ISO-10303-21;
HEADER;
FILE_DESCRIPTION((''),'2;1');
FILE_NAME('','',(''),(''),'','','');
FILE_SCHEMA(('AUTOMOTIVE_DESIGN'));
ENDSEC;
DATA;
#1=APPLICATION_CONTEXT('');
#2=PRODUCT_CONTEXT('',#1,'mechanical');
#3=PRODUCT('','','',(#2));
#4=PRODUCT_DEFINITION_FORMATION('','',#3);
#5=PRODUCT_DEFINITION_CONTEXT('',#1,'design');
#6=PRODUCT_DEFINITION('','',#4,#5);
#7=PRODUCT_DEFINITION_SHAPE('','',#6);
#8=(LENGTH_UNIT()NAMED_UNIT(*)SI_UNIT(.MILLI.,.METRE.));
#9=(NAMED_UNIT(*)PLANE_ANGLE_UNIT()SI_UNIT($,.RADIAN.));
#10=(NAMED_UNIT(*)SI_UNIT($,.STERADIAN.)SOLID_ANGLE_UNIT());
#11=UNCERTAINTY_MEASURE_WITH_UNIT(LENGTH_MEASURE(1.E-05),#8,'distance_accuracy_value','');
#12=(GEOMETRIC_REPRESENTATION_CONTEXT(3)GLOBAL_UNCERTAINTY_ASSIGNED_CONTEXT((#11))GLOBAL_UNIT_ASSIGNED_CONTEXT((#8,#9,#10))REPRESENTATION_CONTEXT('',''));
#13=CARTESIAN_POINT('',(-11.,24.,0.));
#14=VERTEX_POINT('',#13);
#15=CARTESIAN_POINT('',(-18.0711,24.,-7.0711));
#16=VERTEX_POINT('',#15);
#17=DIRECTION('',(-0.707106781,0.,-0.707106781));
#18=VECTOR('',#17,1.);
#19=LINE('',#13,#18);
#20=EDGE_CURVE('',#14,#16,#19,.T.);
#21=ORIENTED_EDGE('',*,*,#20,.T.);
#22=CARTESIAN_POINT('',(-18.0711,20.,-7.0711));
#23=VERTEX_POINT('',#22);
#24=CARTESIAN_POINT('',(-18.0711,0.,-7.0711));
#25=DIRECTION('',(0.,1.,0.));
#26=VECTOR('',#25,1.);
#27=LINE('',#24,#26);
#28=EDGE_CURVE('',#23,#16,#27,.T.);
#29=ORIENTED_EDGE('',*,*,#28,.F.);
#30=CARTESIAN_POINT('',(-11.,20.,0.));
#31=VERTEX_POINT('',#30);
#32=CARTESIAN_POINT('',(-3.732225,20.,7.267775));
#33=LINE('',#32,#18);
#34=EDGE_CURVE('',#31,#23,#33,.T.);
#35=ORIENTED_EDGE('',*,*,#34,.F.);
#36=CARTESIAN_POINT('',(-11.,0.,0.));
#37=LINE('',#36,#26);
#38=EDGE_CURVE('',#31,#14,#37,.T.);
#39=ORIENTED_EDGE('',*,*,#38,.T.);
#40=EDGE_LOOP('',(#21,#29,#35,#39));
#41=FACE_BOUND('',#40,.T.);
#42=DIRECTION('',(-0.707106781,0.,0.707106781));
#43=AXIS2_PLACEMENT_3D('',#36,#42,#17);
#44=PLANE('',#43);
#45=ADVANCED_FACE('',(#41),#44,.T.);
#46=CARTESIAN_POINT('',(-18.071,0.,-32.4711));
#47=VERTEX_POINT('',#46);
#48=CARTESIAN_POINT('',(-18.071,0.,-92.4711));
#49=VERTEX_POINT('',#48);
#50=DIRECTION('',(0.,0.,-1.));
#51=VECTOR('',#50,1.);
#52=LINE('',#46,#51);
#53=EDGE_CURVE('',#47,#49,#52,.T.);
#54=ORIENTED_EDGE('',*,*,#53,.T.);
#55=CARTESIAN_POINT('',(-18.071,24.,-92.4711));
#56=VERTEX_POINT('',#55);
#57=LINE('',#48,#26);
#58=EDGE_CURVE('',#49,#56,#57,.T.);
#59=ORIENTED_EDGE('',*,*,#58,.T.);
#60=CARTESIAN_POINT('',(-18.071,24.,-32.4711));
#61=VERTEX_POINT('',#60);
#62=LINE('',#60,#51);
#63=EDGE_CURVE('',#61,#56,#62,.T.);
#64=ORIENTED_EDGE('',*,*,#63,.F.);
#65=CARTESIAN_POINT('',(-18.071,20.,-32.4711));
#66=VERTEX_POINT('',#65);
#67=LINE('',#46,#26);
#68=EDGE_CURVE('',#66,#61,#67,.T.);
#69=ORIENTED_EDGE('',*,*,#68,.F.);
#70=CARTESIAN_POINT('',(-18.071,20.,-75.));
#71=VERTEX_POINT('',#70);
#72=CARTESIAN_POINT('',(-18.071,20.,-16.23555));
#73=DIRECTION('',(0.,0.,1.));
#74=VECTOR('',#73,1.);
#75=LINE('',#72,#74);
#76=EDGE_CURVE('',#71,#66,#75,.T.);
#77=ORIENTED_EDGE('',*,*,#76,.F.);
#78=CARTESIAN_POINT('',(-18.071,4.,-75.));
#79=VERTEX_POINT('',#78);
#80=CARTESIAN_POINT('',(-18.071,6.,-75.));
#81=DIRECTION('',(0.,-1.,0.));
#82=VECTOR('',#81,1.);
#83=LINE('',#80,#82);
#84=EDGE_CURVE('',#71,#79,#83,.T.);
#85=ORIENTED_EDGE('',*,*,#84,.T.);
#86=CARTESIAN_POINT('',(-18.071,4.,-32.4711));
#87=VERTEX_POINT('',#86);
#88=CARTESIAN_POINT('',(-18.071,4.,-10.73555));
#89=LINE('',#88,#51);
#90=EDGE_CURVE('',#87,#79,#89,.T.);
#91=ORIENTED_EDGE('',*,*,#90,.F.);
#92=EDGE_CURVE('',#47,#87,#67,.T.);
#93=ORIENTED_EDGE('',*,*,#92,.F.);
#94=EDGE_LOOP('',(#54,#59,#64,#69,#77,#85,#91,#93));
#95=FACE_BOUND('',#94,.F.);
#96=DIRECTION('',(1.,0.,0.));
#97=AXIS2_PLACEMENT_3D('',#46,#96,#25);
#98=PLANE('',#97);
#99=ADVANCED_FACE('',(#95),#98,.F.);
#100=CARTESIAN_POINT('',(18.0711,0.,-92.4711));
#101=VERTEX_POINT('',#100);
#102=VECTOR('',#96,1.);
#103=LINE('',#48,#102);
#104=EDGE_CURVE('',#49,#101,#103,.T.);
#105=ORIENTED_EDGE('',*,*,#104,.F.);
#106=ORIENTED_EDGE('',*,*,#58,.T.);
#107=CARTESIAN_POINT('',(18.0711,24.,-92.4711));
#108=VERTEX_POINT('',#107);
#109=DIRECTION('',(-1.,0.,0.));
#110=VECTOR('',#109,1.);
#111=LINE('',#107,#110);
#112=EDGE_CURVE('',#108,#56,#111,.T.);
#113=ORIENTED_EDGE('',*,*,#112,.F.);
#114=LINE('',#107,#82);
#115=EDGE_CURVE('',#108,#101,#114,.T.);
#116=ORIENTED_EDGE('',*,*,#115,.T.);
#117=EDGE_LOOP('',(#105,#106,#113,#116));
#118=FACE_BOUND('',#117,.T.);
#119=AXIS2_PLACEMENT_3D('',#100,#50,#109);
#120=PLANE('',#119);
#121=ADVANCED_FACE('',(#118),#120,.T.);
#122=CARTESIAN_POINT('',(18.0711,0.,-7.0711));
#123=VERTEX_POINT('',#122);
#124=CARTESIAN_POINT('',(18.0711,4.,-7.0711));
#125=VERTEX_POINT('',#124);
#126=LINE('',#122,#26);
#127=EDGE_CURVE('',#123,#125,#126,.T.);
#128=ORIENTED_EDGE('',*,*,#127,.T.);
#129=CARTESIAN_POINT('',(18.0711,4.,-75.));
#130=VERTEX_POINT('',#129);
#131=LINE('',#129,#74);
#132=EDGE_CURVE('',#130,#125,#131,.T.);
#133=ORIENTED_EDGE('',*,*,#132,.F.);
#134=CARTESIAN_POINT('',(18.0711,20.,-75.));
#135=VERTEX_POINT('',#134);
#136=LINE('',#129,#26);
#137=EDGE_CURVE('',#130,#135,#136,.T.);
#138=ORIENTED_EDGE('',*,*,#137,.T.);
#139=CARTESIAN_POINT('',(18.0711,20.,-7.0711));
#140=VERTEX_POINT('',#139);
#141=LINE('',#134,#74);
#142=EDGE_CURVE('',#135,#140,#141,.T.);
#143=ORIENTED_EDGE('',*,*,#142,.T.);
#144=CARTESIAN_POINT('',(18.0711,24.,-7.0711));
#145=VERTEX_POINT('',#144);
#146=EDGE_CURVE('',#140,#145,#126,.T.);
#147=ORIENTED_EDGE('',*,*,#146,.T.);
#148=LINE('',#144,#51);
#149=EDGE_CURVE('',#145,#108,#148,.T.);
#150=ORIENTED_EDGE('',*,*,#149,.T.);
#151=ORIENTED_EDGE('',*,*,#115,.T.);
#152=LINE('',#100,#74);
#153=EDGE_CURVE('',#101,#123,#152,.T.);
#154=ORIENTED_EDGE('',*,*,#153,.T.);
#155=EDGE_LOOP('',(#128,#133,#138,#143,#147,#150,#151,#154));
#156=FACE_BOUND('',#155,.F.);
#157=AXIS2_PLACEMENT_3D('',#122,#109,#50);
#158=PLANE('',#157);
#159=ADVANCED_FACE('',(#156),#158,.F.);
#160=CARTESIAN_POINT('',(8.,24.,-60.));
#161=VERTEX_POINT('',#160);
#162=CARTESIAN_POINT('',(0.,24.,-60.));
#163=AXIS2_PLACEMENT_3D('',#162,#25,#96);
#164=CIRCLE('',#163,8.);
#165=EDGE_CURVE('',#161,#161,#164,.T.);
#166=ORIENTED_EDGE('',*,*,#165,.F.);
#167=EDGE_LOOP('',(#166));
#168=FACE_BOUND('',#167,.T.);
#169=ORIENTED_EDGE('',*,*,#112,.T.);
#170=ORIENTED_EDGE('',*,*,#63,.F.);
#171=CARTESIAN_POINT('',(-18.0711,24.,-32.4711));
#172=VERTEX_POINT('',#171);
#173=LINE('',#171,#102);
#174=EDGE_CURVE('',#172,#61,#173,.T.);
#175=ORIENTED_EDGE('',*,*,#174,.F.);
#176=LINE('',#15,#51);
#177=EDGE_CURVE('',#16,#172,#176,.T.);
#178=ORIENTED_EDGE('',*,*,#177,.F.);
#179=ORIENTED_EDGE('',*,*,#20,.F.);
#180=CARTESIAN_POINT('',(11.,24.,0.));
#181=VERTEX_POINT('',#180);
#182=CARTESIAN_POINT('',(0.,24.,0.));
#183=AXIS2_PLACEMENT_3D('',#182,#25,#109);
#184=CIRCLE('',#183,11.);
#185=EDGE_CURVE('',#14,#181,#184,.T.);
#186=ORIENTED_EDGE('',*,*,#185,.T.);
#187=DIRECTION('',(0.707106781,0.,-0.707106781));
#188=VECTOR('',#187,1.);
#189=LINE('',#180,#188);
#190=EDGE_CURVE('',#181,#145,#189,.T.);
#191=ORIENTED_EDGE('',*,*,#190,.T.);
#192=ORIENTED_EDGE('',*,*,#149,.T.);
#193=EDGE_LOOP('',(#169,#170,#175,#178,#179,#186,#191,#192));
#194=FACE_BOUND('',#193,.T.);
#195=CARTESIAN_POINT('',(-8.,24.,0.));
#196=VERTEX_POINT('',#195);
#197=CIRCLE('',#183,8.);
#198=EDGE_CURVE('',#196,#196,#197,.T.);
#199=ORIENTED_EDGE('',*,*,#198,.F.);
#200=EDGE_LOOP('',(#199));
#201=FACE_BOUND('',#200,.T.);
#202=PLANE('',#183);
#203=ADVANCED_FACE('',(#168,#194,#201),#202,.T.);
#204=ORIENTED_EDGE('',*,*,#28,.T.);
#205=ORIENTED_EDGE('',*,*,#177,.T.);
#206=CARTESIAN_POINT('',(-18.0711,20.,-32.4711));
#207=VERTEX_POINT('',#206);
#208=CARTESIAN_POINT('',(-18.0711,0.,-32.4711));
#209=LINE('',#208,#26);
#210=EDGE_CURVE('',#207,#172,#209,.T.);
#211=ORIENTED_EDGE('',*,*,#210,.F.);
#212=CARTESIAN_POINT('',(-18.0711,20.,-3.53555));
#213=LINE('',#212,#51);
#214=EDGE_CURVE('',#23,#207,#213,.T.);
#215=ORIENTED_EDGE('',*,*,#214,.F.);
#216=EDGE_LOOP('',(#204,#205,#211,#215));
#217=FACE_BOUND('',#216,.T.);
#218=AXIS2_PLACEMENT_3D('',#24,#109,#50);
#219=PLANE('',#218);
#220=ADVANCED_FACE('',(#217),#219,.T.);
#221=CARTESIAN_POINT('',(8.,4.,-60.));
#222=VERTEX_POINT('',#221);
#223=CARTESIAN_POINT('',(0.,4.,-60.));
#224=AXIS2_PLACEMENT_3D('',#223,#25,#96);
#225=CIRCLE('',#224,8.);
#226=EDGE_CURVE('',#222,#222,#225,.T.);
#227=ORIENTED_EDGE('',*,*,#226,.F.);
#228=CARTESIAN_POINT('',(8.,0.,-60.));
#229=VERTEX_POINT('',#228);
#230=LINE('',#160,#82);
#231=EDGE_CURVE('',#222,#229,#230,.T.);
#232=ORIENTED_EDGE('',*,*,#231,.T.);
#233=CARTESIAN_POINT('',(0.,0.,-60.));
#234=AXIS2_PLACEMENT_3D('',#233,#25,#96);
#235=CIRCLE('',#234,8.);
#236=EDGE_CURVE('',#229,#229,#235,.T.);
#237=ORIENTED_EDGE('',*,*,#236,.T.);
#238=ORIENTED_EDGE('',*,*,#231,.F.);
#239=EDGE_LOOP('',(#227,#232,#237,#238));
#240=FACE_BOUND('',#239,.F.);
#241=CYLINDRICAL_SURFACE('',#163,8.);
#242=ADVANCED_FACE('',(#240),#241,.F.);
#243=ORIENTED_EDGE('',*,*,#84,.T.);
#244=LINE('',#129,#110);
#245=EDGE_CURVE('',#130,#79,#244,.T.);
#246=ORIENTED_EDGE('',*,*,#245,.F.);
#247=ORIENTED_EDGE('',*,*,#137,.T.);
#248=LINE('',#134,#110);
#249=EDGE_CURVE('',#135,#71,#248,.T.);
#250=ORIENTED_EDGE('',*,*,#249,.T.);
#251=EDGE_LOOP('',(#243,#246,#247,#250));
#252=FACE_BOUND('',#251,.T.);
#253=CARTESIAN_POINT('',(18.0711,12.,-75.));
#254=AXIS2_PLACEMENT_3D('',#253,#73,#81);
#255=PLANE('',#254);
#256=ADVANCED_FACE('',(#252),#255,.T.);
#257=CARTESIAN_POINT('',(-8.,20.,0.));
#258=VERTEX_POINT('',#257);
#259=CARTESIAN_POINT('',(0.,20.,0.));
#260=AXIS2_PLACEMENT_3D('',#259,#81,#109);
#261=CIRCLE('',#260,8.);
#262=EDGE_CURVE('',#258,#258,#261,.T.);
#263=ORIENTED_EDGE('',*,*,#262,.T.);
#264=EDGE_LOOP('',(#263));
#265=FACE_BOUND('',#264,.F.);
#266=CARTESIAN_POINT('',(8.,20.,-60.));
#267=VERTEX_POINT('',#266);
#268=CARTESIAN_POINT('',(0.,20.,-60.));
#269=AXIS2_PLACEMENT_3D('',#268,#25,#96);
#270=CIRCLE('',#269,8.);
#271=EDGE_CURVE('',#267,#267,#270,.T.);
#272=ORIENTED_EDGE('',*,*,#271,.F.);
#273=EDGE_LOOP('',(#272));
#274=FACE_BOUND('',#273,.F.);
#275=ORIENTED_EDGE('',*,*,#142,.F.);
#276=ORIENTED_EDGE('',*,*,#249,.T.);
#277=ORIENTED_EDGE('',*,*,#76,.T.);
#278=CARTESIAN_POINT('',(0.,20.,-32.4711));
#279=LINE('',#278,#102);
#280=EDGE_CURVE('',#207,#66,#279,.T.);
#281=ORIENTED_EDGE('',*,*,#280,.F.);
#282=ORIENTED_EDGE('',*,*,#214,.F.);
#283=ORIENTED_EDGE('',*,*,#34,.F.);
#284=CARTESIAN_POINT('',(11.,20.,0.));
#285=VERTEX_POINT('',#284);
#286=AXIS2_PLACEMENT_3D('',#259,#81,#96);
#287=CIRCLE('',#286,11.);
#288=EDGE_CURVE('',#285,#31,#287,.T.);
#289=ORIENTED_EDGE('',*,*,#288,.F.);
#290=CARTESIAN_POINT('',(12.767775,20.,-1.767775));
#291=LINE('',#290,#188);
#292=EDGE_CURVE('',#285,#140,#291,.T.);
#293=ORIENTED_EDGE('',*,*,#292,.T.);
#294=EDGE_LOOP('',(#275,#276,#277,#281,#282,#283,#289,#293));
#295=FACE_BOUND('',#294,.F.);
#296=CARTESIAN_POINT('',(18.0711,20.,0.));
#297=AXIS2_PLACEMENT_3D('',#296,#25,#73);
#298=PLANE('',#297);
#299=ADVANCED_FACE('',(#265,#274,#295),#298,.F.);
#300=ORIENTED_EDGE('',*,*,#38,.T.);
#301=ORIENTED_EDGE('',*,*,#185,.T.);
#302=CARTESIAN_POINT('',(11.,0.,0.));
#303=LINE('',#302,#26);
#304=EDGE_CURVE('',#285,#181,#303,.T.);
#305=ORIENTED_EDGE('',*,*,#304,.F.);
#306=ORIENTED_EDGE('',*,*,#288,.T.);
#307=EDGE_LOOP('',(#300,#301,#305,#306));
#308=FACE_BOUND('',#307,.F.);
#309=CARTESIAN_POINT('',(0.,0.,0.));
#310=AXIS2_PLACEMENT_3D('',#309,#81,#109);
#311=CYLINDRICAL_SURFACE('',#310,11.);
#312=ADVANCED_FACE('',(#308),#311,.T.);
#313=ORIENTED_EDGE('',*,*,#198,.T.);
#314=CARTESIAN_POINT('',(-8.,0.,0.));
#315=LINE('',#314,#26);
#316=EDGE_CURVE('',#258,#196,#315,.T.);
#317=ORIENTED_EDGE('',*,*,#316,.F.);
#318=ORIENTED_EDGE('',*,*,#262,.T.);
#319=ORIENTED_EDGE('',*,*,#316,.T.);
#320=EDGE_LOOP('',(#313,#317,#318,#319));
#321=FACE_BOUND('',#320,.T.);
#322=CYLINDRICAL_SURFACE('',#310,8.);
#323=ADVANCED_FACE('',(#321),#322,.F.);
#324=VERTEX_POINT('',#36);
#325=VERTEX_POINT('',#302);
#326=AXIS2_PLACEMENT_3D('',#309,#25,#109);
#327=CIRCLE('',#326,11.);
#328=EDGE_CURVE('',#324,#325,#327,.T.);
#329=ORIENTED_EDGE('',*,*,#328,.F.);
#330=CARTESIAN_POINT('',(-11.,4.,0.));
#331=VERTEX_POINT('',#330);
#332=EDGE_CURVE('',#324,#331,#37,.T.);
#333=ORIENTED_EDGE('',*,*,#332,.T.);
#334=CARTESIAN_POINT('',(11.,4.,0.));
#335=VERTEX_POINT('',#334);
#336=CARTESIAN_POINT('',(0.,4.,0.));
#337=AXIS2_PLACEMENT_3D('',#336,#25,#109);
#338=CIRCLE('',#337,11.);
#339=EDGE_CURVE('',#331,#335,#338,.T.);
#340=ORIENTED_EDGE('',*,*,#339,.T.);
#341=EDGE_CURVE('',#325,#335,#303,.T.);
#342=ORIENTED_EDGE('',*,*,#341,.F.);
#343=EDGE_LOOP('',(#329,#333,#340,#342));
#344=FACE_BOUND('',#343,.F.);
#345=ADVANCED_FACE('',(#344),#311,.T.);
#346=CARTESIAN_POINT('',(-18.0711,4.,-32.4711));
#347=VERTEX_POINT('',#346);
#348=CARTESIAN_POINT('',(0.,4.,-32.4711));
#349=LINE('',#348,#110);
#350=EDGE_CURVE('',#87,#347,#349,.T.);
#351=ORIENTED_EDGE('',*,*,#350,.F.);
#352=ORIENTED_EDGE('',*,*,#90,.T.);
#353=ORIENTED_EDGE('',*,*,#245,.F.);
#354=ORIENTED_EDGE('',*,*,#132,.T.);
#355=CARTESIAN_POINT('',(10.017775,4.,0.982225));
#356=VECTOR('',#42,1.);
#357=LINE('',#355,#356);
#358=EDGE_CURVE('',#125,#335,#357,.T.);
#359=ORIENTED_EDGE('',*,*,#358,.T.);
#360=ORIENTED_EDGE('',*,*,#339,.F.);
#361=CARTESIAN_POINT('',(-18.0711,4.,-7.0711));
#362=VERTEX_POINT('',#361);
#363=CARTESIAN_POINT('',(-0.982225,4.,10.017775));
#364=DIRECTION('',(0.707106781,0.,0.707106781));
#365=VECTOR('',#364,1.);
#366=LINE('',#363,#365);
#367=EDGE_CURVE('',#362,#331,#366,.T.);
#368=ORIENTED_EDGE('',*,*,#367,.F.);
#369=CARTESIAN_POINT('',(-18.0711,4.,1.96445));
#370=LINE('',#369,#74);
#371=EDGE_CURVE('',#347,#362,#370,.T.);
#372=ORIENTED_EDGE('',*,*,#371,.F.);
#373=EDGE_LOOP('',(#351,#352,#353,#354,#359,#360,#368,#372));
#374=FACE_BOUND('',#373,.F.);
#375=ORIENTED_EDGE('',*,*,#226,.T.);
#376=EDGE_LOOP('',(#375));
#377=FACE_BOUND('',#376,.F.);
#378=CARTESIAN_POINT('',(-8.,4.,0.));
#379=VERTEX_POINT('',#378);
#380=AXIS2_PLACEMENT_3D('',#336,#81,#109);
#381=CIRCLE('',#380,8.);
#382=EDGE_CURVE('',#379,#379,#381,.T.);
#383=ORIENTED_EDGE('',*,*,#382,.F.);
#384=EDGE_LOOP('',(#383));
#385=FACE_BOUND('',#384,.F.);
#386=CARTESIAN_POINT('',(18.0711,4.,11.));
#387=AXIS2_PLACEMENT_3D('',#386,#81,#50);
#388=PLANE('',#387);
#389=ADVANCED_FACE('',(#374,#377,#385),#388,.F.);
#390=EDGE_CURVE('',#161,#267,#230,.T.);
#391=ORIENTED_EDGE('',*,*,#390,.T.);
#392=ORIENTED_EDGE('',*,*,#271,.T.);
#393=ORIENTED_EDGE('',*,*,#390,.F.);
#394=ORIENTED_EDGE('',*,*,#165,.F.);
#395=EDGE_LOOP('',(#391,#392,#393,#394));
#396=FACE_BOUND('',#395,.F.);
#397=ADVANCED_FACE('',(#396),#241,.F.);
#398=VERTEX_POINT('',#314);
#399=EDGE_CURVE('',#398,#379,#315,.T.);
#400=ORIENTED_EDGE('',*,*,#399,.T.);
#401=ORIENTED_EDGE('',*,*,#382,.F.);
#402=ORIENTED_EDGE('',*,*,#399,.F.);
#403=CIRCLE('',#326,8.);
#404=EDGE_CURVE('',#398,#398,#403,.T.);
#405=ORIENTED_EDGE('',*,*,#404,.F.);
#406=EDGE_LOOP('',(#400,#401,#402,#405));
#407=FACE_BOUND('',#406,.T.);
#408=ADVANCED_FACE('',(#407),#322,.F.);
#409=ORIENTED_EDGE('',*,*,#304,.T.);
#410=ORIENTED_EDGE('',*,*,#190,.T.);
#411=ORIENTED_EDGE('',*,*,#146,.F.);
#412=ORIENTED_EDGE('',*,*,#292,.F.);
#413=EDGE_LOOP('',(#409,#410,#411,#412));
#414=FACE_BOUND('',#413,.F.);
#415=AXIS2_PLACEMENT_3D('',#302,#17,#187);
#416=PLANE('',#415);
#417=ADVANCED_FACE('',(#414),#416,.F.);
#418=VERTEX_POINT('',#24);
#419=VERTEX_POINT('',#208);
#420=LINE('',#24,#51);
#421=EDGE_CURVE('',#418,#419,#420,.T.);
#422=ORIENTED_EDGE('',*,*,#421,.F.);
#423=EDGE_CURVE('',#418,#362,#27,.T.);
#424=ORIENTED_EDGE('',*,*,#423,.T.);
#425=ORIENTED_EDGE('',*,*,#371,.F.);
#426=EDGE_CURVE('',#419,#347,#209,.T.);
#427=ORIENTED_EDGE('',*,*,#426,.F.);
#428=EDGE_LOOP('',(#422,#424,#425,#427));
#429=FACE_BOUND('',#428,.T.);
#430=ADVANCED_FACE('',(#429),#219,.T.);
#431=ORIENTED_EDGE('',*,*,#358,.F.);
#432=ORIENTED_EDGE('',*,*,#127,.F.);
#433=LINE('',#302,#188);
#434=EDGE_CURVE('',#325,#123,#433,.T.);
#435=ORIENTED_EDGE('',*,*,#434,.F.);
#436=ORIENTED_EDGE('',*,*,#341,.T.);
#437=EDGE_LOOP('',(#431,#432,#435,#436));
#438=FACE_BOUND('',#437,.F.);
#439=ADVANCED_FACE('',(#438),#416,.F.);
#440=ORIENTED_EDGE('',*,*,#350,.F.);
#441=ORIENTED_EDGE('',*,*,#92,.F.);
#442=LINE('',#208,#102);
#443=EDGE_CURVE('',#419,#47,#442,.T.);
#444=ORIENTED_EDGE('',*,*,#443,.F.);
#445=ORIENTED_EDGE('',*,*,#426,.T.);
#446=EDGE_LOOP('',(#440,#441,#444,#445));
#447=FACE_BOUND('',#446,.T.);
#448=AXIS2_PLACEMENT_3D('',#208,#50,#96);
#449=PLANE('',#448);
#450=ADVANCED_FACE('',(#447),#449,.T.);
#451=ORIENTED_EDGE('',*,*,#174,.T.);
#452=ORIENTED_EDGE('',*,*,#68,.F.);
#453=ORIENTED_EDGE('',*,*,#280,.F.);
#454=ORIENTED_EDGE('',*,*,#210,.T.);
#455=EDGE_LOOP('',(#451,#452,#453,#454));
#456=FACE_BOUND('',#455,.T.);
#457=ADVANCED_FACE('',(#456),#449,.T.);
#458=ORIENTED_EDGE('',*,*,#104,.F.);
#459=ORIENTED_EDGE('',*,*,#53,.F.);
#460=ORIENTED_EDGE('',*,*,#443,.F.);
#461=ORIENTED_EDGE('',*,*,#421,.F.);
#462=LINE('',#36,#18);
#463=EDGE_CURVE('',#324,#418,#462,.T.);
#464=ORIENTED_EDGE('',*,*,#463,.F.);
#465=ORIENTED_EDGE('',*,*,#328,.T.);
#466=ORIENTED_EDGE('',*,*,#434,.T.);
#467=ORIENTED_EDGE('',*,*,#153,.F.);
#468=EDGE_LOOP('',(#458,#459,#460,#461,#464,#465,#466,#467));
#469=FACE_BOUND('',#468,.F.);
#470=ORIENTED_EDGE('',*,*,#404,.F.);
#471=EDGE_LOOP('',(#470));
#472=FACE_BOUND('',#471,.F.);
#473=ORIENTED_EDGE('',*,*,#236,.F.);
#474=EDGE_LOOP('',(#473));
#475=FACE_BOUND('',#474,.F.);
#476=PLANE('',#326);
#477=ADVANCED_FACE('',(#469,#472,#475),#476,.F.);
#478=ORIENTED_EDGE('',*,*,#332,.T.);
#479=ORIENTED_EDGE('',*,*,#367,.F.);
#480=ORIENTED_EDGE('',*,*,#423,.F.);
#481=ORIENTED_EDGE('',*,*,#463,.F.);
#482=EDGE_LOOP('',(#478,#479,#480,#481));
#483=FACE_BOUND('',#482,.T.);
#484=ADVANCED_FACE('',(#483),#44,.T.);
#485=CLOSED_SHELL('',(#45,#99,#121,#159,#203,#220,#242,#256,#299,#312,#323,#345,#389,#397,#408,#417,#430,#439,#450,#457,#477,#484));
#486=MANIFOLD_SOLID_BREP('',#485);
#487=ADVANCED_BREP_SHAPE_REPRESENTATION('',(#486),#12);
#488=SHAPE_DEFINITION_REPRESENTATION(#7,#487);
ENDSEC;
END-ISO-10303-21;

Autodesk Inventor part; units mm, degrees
ref_plane "YZ Plane" through (0, 0, 0) normal (1, 0, 0) x (0, 1, 0)
ref_plane "XZ Plane" through (0, 0, 0) normal (0, 1, 0) x (-1, 0, 0)
ref_plane "XY Plane" through (0, 0, 0) normal (0, 0, 1) x (1, 0, 0)
sketch "Sketch1" plane through (0, 0, 0) normal (0, 1, 0) x (-1, 0, 0)
  circle A0 centre (0, 0) radius 8
  arc A1 (11, 0) -> (-11, 0) centre (0, 0) ccw
  line L0 (-11, 0) -> (-18.0711, -7.0711)
  line L1 (-11, 0) -> (-1, 0) construction
  line L2 (-18.0711, -7.0711) -> (-18.0711, -32.4711)
  line L3 (11, 0) -> (18.0711, -7.0711)
  line L4 (11, 0) -> (21, 0) construction
  line L5 (18.0711, -7.0711) -> (18.0711, -32.4711)
  line L6 (18.0711, -32.4711) -> (-18.0711, -32.4711)
  dimension "d0" = 16
  dimension "d2" = 10
  dimension "d3" = 135
  dimension "d4" = 25.4
  dimension "d5" = 10
  dimension "d6" = 45
extrude "Extrusion1" add sketch "Sketch1" along normal blind 24
sketch "Sketch2" plane through (18.0711, 0, -32.4711) normal (0, 0, -1) x (-1, 0, 0)
  line L0 (7.0711, 0) -> (0, 0) projected
  line L1 (0, 24) -> (36.1421, 24) projected
  line L2 (0, 0) -> (36.1421, 0)
  line L3 (36.1421, 0) -> (36.1421, 24)
  line L4 (36.1421, 24) -> (0, 24)
  line L5 (0, 24) -> (0, 0)
  point P0 (18.0711, 0)
extrude "Extrusion2" add sketch "Sketch2" along normal blind 60
sketch "Sketch3" plane through (18.0711, 0, -7.0711) normal (1, 0, 0) x (0, 0, -1)
  line L0 (-7.0711, 0) -> (-7.0711, 24) projected
  line L1 (52.9289, 12) -> (52.9289, 20)
  line L2 (52.9289, 12) -> (52.9289, 4)
  line L3 (52.9289, 4) -> (-7.0711, 4)
  line L4 (-7.0711, 4) -> (-7.0711, 20)
  line L5 (-7.0711, 20) -> (52.9289, 20)
  line L6 (-18.0711, 0) -> (-18.0711, 24) projected
  line L7 (-7.0711, 20) -> (-18.0711, 20)
  line L8 (-18.0711, 20) -> (-18.0711, 4)
  line L9 (-18.0711, 4) -> (-7.0711, 4)
  line L10 (-7.0711, 4) -> (-7.0711, 20)
  line L11 (67.9289, 12) -> (67.9289, 20)
  line L12 (67.9289, 20) -> (52.9289, 20)
  line L13 (67.9289, 12) -> (67.9289, 4)
  line L14 (67.9289, 4) -> (52.9289, 4)
  dimension "d13" = 8
extrude "Extrusion3" cut sketch "Sketch3" against normal through all
sketch "Sketch4" plane through (0, 24, 0) normal (0, 1, 0) x (1, 0, 0)
  circle A0 centre (0, 60) radius 8
  point P0 (0, 0)
  dimension "d18" = 16
extrude "Extrusion4" cut sketch "Sketch4" against normal through all
properties part number "Joint1"
